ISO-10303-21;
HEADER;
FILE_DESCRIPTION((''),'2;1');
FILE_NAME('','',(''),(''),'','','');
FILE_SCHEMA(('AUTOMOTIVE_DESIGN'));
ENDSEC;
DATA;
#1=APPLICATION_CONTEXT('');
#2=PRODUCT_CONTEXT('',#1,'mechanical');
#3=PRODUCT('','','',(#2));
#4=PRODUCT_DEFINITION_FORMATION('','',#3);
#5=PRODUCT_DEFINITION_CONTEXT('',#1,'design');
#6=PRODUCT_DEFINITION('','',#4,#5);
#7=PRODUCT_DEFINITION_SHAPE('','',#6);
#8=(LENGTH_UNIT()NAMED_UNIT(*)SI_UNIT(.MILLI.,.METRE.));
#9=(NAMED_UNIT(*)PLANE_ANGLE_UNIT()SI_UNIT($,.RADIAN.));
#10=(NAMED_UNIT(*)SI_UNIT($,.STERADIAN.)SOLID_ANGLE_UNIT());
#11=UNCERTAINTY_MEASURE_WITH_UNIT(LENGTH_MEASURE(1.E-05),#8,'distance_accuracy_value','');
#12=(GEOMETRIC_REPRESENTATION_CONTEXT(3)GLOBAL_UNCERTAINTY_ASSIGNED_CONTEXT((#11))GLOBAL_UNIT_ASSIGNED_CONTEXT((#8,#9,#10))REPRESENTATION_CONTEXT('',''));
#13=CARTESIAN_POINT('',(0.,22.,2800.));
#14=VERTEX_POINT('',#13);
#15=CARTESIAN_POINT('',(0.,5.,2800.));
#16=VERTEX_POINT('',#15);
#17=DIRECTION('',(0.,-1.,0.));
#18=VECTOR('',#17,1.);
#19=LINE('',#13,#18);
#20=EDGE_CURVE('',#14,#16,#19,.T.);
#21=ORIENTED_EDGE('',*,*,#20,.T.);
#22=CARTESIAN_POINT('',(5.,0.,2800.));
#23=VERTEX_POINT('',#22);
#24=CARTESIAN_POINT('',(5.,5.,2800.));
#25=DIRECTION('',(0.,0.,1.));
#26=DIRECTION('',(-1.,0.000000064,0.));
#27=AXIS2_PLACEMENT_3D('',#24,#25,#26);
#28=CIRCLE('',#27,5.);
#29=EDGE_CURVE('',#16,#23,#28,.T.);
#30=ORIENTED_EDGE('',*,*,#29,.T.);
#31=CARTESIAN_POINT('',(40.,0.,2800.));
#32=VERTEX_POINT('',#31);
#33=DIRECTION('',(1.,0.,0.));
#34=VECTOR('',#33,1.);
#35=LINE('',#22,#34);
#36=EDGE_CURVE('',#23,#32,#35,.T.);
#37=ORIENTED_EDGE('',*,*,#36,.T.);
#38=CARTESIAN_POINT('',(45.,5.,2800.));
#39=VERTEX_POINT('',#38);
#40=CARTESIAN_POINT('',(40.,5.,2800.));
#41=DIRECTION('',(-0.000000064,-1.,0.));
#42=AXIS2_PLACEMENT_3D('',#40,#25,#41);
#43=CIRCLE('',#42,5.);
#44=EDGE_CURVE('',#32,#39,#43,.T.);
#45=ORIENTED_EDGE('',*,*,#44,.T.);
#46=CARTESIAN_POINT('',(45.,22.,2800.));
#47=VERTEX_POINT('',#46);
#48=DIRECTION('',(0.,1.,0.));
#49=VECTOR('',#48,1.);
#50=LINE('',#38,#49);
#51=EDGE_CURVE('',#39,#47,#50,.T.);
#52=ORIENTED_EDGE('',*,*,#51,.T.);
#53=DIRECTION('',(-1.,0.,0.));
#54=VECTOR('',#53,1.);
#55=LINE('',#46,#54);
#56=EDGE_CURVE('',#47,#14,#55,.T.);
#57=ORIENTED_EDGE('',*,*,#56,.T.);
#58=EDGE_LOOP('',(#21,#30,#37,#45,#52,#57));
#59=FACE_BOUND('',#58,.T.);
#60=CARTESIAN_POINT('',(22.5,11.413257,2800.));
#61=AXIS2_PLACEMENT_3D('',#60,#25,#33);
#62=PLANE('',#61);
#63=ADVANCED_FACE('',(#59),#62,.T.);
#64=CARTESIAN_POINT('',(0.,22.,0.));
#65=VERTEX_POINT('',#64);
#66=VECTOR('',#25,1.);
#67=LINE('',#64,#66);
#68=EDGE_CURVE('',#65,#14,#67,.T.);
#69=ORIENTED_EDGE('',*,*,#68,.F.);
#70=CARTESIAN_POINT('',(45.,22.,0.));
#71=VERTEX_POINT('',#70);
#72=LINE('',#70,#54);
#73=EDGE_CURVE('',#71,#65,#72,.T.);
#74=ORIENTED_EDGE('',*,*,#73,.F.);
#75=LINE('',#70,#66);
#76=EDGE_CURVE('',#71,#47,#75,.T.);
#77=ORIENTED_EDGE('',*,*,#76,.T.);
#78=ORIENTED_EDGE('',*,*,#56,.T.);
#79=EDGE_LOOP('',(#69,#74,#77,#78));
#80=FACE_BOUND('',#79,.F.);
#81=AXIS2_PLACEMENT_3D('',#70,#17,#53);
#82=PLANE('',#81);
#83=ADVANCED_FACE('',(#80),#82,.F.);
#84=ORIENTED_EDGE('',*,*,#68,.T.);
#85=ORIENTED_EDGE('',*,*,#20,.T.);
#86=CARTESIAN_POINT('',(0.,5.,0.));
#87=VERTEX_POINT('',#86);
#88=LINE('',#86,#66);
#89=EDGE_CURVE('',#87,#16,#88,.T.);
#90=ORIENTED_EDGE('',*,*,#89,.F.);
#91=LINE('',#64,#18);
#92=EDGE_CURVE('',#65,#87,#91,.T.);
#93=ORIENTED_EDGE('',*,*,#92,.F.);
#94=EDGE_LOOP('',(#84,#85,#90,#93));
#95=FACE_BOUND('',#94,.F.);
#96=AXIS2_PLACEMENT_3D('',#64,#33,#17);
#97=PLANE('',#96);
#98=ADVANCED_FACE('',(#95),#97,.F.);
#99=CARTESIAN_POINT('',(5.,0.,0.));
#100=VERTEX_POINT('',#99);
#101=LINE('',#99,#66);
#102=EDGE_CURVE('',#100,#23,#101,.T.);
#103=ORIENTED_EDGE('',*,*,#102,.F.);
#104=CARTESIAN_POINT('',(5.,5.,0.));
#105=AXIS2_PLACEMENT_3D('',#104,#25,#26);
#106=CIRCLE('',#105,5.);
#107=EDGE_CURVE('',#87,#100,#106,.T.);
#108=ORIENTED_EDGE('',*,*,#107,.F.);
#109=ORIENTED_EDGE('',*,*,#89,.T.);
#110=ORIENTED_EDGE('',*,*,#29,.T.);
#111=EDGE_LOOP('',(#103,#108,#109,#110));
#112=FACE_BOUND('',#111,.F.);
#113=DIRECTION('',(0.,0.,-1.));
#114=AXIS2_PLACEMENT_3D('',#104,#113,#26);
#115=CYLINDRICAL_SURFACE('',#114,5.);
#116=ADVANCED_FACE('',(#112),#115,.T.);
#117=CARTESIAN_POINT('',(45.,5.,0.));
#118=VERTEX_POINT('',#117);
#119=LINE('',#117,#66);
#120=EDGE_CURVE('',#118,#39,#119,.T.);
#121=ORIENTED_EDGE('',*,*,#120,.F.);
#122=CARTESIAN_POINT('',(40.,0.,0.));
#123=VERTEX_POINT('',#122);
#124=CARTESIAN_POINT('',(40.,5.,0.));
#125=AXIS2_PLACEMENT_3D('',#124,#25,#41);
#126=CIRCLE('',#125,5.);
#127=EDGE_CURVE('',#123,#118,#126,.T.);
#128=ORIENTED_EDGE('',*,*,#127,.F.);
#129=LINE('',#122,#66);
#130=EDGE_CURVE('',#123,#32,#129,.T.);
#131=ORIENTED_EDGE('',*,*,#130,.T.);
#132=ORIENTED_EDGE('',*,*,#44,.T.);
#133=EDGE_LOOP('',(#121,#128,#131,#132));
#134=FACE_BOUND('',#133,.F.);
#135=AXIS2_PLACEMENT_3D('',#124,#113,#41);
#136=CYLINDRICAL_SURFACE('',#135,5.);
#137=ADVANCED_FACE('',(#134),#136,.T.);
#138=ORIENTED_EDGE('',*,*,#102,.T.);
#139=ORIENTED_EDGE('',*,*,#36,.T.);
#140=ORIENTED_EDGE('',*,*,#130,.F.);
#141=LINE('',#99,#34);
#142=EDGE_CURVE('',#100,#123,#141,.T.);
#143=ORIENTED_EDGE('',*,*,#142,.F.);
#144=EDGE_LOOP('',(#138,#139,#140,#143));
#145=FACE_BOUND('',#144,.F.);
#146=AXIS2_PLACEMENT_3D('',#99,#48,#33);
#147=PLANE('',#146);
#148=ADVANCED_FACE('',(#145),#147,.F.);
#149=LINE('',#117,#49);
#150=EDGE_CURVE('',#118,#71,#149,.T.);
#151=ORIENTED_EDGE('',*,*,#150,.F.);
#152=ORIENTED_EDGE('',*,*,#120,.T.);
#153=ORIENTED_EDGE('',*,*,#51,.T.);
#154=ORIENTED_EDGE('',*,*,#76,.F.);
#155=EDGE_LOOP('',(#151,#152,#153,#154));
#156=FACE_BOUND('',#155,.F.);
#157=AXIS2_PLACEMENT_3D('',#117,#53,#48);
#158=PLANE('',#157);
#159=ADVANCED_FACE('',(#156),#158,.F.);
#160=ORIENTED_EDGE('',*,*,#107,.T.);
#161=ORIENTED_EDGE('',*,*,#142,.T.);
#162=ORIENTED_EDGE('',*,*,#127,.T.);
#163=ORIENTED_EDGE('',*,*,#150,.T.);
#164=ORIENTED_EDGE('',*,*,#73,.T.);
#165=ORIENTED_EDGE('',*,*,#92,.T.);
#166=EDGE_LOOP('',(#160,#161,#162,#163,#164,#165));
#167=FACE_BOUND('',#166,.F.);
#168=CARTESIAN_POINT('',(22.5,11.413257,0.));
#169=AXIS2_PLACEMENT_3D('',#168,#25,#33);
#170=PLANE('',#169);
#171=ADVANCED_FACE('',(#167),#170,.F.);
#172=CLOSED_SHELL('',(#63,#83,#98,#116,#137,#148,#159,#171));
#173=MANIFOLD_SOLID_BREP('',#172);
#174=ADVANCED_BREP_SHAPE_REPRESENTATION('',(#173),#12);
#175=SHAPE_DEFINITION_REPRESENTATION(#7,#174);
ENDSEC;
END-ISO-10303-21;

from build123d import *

# Parameters (mm, degrees)
F1_DEPTH = 2800


with BuildPart() as f1:
    # F0 (on Top) → F1 (new body)
    with BuildSketch(Plane.XY):
        with BuildLine():
            ThreePointArc((0, 5), (1.464466, 1.464466), (5, 0))
            Line((5, 0), (40, 0))
            ThreePointArc((40, 0), (43.535534, 1.464466), (45, 5))
            Line((45, 5), (45, 22))
            Line((45, 22), (0, 22))
            Line((0, 22), (0, 5))
        make_face()
    extrude(amount=F1_DEPTH)


solid = f1.part
